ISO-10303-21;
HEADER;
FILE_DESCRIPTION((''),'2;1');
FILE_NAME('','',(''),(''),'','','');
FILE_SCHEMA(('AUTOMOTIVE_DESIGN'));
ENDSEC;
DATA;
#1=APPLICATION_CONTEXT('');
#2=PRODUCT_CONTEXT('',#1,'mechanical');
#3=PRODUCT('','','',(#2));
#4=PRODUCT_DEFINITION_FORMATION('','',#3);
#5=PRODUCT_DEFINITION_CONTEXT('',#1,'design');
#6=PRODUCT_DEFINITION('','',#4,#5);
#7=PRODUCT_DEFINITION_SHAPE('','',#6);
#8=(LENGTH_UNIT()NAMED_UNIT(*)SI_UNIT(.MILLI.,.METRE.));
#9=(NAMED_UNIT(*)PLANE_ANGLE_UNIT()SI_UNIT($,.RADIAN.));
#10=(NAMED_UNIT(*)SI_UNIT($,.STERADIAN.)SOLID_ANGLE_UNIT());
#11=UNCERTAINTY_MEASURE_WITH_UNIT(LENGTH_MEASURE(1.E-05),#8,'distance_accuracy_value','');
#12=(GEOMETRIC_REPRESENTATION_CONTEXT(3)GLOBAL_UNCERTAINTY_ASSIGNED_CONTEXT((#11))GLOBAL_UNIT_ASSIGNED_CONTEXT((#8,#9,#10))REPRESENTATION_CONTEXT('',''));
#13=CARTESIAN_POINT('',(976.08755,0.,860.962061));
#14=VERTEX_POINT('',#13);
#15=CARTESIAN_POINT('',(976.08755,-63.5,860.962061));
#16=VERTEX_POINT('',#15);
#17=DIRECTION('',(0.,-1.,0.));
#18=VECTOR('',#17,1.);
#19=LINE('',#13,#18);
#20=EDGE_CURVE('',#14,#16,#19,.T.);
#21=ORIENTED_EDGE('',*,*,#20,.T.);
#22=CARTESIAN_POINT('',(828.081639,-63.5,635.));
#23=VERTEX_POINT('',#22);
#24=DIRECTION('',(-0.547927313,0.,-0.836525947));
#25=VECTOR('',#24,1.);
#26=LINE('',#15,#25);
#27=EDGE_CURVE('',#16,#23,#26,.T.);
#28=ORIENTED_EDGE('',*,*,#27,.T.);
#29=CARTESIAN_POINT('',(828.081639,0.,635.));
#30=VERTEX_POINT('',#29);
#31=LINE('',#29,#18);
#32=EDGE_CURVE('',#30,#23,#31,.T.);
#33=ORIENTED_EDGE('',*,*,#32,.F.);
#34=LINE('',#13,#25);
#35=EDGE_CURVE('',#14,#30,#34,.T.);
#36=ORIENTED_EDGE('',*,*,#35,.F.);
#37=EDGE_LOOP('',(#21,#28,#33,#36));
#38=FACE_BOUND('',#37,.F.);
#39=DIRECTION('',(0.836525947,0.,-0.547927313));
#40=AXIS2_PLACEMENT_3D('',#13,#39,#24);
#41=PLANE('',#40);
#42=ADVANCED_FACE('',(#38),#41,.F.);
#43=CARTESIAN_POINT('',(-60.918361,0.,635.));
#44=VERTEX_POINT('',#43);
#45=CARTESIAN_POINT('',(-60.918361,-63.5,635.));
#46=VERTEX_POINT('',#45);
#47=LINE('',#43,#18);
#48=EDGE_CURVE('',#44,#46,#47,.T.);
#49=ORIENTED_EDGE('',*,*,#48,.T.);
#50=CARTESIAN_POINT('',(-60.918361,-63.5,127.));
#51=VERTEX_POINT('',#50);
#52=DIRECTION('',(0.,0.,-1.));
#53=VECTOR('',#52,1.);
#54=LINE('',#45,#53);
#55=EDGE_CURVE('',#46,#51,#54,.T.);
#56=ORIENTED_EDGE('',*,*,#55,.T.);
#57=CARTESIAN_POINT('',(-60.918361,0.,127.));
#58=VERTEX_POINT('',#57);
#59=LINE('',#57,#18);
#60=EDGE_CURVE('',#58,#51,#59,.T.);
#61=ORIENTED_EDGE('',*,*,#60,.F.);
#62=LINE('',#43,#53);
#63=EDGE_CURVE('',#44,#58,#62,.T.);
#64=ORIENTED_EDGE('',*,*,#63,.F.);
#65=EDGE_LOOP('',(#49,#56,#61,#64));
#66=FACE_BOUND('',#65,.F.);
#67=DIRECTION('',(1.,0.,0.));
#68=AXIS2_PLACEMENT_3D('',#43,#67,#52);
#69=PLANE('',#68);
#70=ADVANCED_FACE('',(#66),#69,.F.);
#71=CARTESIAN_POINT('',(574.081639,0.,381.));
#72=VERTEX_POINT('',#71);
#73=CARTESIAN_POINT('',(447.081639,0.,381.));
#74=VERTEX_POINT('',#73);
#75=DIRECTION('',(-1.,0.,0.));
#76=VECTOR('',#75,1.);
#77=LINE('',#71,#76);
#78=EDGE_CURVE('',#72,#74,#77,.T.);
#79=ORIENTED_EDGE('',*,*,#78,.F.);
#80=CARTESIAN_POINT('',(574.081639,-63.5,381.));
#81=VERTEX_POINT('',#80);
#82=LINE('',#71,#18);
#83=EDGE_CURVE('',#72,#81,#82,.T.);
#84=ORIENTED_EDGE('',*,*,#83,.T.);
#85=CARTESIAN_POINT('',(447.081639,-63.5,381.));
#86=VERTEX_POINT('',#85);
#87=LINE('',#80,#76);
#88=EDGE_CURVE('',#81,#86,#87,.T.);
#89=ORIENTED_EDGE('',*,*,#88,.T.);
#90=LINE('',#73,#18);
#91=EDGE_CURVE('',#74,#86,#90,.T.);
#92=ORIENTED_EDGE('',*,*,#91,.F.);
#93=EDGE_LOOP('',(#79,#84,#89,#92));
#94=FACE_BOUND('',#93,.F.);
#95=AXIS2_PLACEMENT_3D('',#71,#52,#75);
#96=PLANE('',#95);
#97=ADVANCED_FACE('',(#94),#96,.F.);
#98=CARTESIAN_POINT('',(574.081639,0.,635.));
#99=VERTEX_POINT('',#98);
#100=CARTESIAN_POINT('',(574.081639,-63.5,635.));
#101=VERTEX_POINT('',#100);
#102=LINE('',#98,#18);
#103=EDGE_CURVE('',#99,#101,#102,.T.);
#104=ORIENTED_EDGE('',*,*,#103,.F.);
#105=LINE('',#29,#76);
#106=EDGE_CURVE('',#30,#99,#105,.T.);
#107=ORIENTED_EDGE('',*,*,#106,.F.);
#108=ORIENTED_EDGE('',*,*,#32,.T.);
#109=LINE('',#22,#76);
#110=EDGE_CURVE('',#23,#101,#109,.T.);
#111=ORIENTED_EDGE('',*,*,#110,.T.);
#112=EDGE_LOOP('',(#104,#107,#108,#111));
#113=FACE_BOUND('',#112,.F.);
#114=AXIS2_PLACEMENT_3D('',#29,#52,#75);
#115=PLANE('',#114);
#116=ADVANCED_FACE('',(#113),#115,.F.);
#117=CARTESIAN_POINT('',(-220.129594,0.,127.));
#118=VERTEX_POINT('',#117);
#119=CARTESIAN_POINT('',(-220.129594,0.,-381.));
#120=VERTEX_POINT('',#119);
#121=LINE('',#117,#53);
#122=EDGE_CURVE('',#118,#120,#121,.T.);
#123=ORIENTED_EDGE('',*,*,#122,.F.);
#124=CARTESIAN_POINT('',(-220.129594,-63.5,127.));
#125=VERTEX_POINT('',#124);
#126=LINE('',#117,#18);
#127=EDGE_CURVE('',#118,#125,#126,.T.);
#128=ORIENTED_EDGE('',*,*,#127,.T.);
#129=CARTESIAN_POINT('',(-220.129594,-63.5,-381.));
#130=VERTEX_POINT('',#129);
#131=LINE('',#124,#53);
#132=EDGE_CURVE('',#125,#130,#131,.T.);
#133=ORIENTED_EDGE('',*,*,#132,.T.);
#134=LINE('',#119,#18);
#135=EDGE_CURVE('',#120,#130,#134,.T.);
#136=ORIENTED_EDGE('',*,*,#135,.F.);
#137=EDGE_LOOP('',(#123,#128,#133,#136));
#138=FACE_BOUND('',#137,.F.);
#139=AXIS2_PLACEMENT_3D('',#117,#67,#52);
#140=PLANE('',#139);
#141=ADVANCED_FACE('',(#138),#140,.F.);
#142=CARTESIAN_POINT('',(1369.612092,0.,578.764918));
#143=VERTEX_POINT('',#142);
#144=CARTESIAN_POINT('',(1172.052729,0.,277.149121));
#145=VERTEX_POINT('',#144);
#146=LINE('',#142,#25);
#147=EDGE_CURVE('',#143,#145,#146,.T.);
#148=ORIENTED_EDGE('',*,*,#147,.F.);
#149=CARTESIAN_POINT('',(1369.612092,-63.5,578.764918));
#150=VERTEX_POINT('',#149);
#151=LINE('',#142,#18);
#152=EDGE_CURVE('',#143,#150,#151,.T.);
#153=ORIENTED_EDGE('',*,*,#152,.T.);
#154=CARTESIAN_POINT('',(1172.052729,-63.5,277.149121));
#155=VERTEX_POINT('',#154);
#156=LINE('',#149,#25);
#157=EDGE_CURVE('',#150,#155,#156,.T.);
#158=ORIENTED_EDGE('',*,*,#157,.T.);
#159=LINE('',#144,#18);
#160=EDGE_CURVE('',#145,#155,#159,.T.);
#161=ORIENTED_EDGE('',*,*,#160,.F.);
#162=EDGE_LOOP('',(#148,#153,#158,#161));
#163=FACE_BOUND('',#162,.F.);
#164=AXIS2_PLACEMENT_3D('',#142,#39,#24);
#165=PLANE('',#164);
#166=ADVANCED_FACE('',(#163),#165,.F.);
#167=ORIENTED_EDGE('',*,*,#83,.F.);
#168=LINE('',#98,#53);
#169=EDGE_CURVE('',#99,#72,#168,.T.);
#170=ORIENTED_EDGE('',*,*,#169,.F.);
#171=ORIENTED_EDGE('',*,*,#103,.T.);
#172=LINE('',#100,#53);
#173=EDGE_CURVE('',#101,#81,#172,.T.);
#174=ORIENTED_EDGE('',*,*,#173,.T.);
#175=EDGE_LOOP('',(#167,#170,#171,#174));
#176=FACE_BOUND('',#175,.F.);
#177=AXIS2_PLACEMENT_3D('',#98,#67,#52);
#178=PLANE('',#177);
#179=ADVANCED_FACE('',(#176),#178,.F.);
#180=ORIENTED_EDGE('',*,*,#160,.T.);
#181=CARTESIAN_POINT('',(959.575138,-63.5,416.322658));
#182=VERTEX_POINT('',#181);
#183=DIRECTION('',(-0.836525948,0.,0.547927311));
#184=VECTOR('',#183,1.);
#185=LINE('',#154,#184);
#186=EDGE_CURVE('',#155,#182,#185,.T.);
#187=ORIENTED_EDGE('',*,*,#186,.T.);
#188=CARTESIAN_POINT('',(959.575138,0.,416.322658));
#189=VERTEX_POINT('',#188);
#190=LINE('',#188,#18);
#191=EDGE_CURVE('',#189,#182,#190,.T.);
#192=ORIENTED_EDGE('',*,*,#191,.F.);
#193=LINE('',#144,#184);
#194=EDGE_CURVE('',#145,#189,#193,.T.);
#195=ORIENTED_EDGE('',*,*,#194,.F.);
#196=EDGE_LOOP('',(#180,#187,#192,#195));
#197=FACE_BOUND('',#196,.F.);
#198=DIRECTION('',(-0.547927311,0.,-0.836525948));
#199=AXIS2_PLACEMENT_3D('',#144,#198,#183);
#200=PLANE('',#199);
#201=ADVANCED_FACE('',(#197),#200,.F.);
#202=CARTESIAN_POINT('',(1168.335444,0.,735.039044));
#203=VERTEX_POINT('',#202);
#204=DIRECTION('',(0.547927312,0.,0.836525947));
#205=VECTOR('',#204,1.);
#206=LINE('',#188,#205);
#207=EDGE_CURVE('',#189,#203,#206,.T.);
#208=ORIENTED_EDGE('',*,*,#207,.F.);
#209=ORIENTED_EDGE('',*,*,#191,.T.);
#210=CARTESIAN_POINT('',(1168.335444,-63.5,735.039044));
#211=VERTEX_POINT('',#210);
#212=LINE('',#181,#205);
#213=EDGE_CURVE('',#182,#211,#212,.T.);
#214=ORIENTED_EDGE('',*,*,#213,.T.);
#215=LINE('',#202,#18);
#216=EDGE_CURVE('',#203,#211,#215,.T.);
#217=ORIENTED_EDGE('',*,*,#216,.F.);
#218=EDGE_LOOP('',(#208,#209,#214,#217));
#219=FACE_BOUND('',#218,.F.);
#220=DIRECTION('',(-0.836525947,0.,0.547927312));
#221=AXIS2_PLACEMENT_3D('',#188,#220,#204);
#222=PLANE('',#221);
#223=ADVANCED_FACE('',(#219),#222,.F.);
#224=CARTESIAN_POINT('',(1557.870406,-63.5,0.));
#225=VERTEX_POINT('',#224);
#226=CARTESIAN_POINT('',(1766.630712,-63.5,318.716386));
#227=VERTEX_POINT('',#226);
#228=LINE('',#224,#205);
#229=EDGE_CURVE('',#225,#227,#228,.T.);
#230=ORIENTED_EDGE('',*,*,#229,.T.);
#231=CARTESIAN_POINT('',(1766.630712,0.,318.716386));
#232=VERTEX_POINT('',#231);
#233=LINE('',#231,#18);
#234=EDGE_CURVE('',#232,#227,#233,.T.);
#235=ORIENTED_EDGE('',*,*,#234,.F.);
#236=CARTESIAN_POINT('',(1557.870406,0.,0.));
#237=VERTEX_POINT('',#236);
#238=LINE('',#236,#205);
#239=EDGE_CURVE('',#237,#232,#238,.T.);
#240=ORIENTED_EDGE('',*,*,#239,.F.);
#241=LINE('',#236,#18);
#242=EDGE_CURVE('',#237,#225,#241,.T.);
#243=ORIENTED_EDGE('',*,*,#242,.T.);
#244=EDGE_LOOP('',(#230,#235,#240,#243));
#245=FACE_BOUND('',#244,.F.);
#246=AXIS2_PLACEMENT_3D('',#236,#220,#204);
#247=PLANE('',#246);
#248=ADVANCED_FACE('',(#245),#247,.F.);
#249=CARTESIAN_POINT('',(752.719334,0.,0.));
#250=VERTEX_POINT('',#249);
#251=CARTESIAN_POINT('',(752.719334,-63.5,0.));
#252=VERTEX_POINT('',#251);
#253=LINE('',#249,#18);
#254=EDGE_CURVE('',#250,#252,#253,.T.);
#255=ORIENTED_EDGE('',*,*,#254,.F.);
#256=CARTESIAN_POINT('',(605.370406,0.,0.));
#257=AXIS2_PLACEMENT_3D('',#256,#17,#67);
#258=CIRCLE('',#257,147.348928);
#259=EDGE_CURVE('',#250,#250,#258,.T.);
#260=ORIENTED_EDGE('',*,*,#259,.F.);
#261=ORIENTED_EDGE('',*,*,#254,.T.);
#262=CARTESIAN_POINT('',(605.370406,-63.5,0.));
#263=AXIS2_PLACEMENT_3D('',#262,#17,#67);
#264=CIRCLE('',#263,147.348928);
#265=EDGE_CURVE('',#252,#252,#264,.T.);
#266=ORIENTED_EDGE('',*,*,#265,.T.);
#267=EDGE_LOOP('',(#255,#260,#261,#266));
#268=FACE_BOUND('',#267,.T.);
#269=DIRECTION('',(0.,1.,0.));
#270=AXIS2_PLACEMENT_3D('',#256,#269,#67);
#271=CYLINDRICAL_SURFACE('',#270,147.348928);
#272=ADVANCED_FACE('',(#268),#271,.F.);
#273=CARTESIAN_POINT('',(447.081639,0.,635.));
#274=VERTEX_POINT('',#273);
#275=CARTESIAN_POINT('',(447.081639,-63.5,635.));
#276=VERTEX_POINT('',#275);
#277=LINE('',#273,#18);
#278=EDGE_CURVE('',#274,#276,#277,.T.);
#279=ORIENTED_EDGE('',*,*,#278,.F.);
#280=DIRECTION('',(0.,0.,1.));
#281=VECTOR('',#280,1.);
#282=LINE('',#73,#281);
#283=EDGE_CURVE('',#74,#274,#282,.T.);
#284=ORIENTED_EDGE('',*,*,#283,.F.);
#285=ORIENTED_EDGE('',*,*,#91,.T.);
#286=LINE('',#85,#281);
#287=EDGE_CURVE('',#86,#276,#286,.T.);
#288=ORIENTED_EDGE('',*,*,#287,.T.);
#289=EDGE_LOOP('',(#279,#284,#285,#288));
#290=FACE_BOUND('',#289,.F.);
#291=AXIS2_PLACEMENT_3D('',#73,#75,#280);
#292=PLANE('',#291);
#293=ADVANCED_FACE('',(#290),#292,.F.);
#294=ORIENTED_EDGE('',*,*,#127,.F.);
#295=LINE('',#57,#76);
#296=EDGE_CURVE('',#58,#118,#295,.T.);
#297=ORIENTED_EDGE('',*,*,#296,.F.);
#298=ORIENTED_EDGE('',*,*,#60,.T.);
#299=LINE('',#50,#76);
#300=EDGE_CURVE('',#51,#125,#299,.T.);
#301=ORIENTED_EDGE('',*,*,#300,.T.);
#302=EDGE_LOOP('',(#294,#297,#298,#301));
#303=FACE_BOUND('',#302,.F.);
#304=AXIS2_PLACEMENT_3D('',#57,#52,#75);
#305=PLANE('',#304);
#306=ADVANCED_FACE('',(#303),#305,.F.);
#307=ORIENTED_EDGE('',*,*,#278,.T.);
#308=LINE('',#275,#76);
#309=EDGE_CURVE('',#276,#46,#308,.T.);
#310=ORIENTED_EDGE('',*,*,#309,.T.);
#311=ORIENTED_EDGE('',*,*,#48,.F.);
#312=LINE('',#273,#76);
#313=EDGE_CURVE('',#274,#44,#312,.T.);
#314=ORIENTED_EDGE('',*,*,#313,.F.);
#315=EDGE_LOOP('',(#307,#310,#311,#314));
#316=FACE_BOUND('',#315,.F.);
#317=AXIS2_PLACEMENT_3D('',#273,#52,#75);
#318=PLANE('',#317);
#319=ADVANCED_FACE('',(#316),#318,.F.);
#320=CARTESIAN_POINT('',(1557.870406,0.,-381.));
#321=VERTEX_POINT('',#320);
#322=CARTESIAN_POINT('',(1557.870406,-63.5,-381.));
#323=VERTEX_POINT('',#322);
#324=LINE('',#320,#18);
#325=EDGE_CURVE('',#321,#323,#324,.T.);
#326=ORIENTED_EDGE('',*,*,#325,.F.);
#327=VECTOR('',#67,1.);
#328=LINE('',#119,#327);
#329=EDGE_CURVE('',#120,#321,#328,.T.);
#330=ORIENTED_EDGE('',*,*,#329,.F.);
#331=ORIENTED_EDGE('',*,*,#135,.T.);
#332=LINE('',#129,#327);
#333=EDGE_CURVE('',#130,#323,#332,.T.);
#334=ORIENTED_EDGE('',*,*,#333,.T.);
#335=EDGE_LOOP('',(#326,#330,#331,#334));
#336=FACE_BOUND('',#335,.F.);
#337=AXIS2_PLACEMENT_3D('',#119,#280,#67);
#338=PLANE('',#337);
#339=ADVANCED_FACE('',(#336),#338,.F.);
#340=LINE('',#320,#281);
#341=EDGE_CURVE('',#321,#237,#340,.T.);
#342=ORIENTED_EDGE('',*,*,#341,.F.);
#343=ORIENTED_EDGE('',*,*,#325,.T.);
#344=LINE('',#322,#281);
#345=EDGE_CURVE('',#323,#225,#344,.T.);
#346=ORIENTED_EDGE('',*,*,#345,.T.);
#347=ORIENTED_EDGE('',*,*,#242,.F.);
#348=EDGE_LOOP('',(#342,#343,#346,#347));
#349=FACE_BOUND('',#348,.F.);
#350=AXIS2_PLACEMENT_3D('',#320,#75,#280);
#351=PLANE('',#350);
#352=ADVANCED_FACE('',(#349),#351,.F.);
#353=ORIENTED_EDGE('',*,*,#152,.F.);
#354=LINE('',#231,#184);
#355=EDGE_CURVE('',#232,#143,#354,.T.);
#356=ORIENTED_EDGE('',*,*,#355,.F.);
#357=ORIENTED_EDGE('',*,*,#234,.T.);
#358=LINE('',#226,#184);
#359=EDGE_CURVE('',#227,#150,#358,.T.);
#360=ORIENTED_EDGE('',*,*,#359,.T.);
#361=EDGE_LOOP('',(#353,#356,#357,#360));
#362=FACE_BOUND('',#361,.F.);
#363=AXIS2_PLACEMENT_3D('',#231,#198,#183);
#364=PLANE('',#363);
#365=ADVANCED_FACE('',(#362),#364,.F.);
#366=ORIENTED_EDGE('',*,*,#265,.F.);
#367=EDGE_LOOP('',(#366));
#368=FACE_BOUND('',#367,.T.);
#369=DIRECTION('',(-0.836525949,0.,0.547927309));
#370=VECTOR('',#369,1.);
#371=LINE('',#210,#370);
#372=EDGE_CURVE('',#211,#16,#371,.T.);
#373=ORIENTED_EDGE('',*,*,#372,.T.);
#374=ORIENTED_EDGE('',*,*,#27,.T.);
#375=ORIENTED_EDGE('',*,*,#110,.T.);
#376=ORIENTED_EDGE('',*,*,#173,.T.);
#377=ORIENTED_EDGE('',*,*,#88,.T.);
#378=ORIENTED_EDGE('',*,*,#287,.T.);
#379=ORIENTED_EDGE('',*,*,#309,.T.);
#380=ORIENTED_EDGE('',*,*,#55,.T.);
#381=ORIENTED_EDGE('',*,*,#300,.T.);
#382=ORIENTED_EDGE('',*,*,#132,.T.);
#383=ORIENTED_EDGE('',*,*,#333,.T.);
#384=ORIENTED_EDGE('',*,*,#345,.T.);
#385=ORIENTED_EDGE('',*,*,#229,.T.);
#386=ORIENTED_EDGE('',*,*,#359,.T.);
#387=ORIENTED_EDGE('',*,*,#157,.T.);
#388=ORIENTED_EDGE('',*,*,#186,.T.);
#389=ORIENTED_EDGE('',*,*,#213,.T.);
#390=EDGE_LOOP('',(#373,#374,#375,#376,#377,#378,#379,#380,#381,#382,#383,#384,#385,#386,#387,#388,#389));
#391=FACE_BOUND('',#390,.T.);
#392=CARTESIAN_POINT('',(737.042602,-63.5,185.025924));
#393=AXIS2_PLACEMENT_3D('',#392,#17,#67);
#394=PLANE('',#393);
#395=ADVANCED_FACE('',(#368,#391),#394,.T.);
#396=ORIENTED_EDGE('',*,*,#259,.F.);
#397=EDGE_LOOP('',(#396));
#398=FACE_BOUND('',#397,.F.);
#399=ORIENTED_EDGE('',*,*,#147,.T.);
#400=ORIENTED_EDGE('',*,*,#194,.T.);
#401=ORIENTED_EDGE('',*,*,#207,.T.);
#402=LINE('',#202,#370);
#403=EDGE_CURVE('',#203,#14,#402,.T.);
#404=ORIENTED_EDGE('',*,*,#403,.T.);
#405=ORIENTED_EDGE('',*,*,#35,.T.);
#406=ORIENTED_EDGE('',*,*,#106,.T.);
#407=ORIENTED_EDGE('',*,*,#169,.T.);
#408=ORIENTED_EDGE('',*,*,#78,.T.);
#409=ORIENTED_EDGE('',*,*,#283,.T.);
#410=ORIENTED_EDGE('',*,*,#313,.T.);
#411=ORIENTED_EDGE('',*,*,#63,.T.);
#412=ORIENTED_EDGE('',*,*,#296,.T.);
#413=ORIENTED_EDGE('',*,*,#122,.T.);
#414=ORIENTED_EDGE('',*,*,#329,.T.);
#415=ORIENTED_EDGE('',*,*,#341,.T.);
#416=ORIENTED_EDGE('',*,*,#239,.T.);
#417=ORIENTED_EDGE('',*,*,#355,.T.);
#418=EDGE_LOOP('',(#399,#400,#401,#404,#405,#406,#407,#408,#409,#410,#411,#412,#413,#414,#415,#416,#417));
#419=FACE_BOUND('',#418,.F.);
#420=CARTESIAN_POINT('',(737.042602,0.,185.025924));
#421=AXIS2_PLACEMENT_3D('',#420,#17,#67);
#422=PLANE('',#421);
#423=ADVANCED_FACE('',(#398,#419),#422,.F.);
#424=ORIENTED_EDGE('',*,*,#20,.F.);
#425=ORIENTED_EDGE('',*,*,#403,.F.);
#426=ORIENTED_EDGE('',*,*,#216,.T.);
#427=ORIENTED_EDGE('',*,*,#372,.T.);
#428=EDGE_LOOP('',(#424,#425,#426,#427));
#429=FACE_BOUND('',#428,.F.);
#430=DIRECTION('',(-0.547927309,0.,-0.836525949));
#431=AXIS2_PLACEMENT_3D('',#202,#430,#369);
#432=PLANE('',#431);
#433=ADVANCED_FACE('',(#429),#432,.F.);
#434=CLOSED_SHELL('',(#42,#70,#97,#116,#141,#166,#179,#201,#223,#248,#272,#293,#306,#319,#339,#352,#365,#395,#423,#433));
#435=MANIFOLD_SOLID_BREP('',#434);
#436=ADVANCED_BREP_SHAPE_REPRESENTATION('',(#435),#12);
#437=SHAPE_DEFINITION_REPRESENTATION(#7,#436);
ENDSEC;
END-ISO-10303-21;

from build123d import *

# Parameters (mm, degrees)
F0_R     = 147.348928
F1_DEPTH = 63.5


with BuildPart() as f1:
    # F0 (on Front) → F1 (new body)
    with BuildSketch(Plane.XZ):
        Polygon((447.081639, 635), (-60.918361, 635), (-60.918361, 127), (-220.129594, 127), (-220.129594, -381), (1557.870406, -381), (1557.870406, 0), (1766.630712, 318.716386), (1369.612092, 578.764918), (1172.052729, 277.149121), (959.575138, 416.322658), (1168.335444, 735.039044), (976.08755, 860.962061), (828.081639, 635), (574.081639, 635), (574.081639, 381), (447.081639, 381), align=None)
        with Locations((605.370406, 0)):
            Circle(F0_R, mode=Mode.SUBTRACT)
    extrude(amount=F1_DEPTH)


solid = f1.part
